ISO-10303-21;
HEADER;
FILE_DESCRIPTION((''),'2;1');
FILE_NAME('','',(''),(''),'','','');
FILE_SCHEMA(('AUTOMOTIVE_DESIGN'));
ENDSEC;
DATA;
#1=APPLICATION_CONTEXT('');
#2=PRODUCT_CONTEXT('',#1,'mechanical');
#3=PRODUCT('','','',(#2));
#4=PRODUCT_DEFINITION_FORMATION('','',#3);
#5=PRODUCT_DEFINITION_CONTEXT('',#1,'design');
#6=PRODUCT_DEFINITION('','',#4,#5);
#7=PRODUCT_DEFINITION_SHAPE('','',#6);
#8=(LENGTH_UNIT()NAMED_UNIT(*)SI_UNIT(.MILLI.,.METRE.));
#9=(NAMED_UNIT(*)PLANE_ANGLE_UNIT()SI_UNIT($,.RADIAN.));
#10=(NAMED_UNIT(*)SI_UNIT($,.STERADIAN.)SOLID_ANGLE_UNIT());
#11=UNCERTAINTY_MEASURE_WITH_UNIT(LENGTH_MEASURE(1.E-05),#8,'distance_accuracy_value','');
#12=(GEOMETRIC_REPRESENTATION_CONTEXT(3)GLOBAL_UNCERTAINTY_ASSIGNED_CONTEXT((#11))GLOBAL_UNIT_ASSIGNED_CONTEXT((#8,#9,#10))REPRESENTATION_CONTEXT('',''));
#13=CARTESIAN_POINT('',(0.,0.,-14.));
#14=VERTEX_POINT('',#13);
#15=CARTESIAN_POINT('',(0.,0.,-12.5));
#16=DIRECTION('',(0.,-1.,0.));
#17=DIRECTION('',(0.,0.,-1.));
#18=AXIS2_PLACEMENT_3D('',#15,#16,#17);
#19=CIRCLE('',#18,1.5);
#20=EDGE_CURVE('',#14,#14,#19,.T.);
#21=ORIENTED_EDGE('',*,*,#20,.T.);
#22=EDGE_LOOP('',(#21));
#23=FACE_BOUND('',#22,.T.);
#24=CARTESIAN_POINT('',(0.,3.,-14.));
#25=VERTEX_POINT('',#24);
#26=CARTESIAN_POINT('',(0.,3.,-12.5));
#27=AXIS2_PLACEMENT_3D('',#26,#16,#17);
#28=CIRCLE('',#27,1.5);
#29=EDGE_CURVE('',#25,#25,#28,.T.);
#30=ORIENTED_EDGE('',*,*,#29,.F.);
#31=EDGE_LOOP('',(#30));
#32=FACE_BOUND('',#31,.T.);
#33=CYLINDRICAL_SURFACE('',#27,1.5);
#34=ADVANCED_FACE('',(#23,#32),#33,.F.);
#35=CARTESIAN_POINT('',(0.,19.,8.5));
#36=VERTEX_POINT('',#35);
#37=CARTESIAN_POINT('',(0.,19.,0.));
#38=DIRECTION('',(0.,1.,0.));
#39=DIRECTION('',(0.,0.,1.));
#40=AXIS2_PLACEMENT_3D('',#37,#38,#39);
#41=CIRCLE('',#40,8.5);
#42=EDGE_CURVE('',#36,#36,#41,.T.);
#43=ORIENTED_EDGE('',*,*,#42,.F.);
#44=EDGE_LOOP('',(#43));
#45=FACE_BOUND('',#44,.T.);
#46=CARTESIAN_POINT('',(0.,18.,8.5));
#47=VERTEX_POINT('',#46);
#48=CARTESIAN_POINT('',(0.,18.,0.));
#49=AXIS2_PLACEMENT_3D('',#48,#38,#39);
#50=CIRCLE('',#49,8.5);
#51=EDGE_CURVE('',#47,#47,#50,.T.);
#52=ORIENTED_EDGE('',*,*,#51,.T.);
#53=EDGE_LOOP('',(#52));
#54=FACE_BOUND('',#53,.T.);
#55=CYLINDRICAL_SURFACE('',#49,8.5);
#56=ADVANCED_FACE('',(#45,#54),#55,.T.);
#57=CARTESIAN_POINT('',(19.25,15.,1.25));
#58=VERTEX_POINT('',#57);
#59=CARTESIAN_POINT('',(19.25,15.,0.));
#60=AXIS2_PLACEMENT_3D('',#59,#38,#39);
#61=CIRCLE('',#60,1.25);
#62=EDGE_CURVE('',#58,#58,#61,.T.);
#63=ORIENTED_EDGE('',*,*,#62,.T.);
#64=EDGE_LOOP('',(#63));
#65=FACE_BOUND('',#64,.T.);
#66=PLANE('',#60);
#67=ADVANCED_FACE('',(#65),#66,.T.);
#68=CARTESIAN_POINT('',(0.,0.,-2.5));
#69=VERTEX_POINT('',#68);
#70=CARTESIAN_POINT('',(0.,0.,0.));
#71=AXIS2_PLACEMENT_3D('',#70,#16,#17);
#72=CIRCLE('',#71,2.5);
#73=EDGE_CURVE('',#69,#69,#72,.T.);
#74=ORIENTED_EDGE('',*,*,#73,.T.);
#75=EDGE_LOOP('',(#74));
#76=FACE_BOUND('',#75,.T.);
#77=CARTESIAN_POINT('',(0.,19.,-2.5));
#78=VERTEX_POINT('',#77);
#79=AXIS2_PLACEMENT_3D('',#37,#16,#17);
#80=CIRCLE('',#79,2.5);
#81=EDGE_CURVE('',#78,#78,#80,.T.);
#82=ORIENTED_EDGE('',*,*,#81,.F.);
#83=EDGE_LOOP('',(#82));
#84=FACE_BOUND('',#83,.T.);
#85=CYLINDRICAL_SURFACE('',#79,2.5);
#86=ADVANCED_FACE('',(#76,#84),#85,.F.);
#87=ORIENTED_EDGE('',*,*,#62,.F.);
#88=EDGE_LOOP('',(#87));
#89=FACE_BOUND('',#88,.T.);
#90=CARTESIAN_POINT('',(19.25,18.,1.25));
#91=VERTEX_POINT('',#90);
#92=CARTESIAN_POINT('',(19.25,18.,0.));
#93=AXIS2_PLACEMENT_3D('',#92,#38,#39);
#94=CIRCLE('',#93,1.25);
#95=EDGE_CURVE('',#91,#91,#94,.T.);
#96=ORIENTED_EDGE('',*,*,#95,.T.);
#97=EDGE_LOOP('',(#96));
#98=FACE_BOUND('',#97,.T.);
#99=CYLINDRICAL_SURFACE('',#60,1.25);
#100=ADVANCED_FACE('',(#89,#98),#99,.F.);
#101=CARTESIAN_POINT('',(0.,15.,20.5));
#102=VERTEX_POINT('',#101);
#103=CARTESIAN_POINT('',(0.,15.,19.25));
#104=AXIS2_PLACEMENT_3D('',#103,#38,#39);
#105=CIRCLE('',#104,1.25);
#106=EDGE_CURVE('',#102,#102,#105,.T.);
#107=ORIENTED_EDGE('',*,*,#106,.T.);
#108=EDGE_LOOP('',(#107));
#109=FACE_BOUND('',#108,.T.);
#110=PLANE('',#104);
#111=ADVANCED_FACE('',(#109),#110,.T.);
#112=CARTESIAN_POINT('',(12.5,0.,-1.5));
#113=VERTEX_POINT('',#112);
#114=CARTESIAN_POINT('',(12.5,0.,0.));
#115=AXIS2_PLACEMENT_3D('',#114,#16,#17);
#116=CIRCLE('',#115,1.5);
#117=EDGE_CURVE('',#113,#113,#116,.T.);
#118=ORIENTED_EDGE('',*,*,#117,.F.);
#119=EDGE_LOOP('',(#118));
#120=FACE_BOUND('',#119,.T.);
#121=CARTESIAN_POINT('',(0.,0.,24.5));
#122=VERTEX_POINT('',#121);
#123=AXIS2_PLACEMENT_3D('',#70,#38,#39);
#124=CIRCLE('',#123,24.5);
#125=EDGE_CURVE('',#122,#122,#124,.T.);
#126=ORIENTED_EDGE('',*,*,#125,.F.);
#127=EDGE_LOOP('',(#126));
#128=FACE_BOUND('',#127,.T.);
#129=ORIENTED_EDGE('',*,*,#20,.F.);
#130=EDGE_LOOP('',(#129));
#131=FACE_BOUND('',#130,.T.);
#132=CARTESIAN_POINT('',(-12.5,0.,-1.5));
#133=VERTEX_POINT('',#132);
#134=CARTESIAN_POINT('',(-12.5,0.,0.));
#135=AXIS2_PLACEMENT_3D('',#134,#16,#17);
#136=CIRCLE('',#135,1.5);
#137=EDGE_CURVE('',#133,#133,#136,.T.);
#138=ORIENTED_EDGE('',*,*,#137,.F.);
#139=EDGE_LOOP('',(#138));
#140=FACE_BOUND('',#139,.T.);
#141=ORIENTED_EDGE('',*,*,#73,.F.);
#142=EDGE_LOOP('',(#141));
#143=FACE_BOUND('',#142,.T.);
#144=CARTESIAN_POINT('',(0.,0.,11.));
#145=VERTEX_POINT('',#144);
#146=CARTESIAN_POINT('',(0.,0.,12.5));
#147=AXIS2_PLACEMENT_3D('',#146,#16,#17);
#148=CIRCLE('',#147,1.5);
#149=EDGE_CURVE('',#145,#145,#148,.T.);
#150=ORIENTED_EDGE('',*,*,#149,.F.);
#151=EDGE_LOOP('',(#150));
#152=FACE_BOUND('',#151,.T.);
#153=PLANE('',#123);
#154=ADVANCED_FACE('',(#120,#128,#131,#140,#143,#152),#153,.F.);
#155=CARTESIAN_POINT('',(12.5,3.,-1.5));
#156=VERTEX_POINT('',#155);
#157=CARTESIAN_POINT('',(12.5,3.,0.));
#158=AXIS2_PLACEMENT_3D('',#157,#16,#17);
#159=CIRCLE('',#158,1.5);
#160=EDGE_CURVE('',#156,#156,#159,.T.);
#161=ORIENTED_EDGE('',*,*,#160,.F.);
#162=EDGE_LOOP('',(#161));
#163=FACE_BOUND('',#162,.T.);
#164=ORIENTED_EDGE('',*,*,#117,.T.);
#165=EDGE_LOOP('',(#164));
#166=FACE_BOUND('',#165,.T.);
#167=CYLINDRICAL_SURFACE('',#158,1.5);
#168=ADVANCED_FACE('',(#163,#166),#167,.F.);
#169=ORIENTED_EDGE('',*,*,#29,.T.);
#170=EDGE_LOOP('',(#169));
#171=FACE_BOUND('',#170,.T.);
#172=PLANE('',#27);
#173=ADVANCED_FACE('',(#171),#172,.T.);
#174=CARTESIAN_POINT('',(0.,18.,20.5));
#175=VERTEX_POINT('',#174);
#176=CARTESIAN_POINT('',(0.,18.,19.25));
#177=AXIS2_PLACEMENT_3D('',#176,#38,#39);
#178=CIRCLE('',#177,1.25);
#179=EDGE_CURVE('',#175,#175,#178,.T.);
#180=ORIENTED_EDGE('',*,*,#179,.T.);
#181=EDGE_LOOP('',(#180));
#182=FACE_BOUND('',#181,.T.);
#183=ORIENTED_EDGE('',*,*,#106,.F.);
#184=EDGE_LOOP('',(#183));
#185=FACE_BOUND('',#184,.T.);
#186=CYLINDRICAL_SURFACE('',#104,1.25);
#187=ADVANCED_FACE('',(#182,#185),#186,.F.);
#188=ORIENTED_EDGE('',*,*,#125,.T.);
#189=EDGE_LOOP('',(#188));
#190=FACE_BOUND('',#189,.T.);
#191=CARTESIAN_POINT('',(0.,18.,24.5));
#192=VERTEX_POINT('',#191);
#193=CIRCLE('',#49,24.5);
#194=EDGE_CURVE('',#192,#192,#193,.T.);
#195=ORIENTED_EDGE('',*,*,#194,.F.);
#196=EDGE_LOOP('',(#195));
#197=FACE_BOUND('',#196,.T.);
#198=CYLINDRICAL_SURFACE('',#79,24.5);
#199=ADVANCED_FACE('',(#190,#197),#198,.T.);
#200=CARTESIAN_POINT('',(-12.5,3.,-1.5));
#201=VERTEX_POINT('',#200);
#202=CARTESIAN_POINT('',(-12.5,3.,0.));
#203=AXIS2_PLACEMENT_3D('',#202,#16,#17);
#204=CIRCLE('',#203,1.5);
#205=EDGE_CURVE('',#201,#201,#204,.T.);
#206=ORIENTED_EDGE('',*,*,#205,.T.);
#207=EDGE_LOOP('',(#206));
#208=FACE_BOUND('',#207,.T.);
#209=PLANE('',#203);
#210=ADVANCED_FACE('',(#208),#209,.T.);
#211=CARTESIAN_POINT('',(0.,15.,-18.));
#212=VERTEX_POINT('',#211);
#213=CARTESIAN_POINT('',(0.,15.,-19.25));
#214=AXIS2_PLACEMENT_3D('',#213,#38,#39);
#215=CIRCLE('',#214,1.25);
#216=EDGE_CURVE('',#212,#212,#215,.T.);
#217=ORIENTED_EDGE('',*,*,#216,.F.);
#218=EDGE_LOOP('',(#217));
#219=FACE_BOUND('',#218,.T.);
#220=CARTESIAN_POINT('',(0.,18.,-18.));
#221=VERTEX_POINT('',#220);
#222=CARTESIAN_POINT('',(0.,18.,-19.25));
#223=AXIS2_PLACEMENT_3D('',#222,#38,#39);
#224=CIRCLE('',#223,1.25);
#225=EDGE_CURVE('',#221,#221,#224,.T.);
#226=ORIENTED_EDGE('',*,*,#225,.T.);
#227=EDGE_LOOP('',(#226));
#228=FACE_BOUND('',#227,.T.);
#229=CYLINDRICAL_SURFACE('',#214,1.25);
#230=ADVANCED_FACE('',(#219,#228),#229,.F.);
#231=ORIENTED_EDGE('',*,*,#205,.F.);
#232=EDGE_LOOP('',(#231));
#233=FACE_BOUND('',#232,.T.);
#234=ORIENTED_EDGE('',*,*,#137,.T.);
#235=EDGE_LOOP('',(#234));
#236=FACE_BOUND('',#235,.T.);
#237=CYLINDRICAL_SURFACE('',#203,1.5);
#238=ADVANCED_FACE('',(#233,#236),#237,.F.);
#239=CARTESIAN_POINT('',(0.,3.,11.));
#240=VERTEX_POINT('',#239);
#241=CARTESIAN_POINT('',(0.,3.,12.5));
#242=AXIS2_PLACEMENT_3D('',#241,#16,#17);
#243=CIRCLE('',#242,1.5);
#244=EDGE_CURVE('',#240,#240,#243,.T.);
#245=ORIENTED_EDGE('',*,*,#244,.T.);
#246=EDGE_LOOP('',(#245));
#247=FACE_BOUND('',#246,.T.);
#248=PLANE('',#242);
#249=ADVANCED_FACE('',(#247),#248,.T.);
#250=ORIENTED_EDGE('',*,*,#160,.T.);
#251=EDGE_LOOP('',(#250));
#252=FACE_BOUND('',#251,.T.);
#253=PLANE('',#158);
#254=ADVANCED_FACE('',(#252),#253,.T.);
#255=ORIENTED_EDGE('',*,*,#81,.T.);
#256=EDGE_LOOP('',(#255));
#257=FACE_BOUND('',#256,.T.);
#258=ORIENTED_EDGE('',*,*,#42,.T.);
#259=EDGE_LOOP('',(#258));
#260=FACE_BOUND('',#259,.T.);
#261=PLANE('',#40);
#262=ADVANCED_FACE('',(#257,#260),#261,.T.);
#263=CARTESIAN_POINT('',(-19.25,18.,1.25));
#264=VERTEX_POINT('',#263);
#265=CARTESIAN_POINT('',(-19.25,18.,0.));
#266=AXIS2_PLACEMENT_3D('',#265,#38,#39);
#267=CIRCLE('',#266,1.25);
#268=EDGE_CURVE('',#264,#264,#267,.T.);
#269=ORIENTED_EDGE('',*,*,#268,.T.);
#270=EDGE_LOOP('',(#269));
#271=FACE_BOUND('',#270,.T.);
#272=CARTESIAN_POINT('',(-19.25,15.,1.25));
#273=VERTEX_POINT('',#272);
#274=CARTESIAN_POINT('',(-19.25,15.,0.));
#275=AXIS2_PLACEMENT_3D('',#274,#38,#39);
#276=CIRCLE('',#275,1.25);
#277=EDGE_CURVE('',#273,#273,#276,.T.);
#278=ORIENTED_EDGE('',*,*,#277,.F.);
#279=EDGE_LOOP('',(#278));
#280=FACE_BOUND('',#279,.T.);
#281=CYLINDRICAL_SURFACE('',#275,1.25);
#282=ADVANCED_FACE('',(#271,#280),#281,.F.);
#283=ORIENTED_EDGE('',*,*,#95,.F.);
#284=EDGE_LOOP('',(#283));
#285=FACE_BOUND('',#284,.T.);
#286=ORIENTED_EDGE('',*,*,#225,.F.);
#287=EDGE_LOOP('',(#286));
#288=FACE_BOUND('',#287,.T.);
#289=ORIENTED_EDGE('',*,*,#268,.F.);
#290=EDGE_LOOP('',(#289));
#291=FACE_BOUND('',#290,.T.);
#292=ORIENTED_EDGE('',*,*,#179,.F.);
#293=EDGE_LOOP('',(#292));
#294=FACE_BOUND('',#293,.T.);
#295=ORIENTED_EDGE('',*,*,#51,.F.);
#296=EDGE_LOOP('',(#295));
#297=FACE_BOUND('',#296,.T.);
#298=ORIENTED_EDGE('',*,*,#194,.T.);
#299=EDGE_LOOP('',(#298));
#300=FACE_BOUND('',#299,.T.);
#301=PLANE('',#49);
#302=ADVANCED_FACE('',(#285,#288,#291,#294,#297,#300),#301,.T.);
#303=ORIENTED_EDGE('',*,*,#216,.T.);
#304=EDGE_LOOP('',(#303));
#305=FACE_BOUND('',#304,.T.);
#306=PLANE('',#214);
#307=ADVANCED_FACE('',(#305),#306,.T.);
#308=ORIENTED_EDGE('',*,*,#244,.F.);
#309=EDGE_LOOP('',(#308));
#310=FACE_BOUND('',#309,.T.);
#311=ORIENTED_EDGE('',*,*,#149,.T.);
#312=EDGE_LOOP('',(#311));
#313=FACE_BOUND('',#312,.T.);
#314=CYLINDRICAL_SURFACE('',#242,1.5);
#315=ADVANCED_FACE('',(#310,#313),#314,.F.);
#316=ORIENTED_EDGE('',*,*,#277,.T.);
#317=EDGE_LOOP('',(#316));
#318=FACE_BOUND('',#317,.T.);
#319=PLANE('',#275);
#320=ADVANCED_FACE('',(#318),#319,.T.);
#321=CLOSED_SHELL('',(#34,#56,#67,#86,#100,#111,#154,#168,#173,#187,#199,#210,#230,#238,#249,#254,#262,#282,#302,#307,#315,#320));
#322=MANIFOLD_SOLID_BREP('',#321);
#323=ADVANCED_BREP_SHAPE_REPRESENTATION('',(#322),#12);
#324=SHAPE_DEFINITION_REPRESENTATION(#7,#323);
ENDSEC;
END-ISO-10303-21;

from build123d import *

# Parameters (mm, degrees)
SKETCH1_R      = 24.5
EXTRUDE1_DEPTH = 19
EXTRUDE2_START = -1
SKETCH2_R      = 24.5
SKETCH2_R_2    = 8.5
EXTRUDE2_DEPTH = 1
SKETCH3_R      = 1.25
EXTRUDE3_DEPTH = 4
SKETCH4_R      = 1.5
EXTRUDE4_DEPTH = 3
SKETCH6_R      = 2.5
EXTRUDE6_DEPTH = 40.515819617


with BuildPart() as part:
    # Sketch1 → Extrude1 (new body)
    with BuildSketch(Plane(origin=(0, 0, 0), x_dir=(1, 0, 0), z_dir=(0, 1, 0))):
        Circle(SKETCH1_R)
    extrude(amount=EXTRUDE1_DEPTH)

    # Sketch2 → Extrude2 (cut)
    with BuildSketch(Plane(origin=(0, 19, 0), x_dir=(1, 0, 0), z_dir=(0, 1, 0)).offset(EXTRUDE2_START)):
        Circle(SKETCH2_R)
        Circle(SKETCH2_R_2, mode=Mode.SUBTRACT)
    extrude(amount=EXTRUDE2_DEPTH, mode=Mode.SUBTRACT)

    # Sketch3 → Extrude3 (cut)
    with BuildSketch(Plane(origin=(0, 19, 0), x_dir=(1, 0, 0), z_dir=(0, 1, 0))):
        with Locations((0, 19.25)):
            Circle(SKETCH3_R)
        with Locations((19.25, 0)):
            Circle(SKETCH3_R)
        with Locations((0, -19.25)):
            Circle(SKETCH3_R)
        with Locations((-19.25, 0)):
            Circle(SKETCH3_R)
    extrude(amount=-EXTRUDE3_DEPTH, mode=Mode.SUBTRACT)

    # Sketch4 → Extrude4 (cut)
    with BuildSketch(Plane.XZ):
        with Locations((0, 12.5)):
            Circle(SKETCH4_R)
        with Locations((12.5, 0)):
            Circle(SKETCH4_R)
        with Locations((0, -12.5)):
            Circle(SKETCH4_R)
        with Locations((-12.5, 0)):
            Circle(SKETCH4_R)
    extrude(amount=-EXTRUDE4_DEPTH, mode=Mode.SUBTRACT)

    # Sketch6 → Extrude6 (cut, through all)
    with BuildSketch(Plane.XZ):
        Circle(SKETCH6_R)
    extrude(amount=-EXTRUDE6_DEPTH, mode=Mode.SUBTRACT)


solid = part.part
